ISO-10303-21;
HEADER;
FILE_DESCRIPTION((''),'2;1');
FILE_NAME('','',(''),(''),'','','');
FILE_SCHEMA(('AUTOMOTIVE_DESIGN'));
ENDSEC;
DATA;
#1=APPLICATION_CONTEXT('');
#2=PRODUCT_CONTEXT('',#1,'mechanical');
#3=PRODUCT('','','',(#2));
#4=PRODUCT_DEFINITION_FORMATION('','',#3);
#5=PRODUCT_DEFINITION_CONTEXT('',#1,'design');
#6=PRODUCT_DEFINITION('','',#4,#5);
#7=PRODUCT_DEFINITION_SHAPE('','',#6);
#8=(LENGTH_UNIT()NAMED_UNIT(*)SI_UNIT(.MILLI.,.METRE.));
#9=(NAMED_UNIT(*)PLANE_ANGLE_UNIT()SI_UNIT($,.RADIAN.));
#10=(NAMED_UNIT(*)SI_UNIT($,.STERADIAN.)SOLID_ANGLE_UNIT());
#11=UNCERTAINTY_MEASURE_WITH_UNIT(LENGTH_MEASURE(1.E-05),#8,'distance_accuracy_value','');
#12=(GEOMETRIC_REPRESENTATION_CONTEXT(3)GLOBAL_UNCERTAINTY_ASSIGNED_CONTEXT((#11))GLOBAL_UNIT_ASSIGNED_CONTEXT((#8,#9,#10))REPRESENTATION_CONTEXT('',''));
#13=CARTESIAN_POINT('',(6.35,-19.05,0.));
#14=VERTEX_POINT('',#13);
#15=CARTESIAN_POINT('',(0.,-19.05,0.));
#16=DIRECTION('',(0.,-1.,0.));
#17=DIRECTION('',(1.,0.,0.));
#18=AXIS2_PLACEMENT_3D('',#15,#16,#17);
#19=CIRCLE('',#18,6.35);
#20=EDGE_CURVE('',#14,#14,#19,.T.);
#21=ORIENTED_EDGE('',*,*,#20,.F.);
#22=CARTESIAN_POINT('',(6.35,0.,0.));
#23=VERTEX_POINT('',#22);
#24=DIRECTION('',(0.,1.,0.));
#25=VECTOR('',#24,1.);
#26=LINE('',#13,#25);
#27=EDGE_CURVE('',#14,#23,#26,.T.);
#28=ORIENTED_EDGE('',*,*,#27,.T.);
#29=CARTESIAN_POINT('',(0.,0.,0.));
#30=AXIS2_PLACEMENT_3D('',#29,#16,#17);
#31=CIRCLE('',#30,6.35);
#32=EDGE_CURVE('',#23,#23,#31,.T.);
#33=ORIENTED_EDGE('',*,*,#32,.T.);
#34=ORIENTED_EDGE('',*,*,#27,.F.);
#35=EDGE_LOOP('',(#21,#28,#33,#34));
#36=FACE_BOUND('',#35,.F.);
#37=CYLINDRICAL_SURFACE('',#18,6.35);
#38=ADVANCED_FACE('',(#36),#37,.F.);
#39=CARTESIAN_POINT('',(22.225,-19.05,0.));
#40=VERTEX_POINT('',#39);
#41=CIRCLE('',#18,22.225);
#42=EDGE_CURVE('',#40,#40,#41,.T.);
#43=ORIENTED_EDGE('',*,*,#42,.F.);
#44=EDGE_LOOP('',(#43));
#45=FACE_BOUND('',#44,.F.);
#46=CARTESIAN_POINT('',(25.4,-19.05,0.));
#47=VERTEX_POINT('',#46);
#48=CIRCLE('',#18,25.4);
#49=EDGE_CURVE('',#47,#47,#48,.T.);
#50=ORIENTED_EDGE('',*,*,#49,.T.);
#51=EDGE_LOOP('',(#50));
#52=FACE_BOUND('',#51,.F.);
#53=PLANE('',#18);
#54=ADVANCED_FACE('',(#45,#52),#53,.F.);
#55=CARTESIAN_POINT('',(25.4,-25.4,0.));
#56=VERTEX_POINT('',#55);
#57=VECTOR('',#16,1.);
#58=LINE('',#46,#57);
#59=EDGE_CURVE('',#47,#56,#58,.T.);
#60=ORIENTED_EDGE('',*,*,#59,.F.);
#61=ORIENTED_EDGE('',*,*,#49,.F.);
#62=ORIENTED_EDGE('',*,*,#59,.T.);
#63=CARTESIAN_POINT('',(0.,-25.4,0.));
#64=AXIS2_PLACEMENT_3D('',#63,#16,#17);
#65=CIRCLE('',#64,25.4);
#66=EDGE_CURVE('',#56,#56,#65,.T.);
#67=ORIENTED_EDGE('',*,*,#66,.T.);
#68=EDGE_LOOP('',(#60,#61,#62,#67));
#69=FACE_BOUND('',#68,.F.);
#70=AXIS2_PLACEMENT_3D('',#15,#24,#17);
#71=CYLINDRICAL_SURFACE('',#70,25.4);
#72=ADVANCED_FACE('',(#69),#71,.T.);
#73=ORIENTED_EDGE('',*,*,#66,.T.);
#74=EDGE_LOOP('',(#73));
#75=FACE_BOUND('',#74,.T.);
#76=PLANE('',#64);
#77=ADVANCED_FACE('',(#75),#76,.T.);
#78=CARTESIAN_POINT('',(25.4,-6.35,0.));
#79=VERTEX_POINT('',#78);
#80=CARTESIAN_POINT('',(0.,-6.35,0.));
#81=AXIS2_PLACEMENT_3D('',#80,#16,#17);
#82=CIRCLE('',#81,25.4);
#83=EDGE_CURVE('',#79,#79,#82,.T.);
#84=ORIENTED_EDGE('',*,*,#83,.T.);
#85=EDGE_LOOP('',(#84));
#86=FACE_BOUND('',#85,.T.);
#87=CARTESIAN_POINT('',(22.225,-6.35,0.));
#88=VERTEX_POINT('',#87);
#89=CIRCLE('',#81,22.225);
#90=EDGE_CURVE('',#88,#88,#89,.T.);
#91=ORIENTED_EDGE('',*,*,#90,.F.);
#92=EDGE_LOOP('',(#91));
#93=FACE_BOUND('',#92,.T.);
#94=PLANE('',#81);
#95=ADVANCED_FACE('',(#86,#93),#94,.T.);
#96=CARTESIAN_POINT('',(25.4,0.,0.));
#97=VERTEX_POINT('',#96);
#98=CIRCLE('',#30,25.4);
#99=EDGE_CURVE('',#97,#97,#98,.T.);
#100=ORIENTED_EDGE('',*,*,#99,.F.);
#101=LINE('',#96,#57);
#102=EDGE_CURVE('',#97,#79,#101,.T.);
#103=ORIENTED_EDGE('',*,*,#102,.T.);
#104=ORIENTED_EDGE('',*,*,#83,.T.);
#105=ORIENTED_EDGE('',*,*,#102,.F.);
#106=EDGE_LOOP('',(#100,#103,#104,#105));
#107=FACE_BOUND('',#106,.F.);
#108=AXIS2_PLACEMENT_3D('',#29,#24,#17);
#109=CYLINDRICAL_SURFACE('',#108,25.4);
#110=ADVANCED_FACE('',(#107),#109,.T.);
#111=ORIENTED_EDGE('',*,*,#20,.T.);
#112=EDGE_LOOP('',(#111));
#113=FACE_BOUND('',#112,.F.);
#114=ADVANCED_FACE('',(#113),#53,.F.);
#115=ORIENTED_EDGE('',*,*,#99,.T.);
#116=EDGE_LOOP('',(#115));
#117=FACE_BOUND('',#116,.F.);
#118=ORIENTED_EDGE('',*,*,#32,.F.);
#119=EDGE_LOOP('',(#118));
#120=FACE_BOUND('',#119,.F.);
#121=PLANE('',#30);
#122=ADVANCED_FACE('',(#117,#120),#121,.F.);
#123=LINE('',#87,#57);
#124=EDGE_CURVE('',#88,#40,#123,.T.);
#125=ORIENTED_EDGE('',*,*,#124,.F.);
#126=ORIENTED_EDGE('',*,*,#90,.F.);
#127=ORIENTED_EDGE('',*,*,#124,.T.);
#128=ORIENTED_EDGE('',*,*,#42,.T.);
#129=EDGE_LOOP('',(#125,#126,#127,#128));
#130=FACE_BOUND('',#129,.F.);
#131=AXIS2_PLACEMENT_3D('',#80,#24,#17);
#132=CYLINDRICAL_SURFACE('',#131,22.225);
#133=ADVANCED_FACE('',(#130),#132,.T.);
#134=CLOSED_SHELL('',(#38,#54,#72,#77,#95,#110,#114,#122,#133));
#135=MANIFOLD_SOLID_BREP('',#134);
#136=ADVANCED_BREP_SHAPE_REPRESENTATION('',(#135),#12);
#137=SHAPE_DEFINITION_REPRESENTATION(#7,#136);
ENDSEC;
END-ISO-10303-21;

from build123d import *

# Parameters (mm, degrees)
F0_R     = 25.4
F1_DEPTH = 6.35
F2_R     = 22.225
F3_DEPTH = 12.7
F4_R     = 6.35
F5_DEPTH = 19.051
F6_R     = 25.4
F7_DEPTH = 6.35


with BuildPart() as f1:
    # F0 (on Front) → F1 (new body)
    with BuildSketch(Plane.XZ):
        Circle(F0_R)
    extrude(amount=F1_DEPTH)

    # F2 (on face) → F3 (join)
    with BuildSketch(Plane.XZ.offset(6.35)):
        Circle(F2_R)
    extrude(amount=F3_DEPTH)

    # F4 (on face) → F5 (cut, through all)
    with BuildSketch(Plane.XZ.offset(19.05)):
        Circle(F4_R)
    extrude(amount=-F5_DEPTH, mode=Mode.SUBTRACT)

    # F6 (on face) → F7 (join)
    with BuildSketch(Plane.XZ.offset(19.05)):
        Circle(F6_R)
    extrude(amount=F7_DEPTH)


solid = f1.part
